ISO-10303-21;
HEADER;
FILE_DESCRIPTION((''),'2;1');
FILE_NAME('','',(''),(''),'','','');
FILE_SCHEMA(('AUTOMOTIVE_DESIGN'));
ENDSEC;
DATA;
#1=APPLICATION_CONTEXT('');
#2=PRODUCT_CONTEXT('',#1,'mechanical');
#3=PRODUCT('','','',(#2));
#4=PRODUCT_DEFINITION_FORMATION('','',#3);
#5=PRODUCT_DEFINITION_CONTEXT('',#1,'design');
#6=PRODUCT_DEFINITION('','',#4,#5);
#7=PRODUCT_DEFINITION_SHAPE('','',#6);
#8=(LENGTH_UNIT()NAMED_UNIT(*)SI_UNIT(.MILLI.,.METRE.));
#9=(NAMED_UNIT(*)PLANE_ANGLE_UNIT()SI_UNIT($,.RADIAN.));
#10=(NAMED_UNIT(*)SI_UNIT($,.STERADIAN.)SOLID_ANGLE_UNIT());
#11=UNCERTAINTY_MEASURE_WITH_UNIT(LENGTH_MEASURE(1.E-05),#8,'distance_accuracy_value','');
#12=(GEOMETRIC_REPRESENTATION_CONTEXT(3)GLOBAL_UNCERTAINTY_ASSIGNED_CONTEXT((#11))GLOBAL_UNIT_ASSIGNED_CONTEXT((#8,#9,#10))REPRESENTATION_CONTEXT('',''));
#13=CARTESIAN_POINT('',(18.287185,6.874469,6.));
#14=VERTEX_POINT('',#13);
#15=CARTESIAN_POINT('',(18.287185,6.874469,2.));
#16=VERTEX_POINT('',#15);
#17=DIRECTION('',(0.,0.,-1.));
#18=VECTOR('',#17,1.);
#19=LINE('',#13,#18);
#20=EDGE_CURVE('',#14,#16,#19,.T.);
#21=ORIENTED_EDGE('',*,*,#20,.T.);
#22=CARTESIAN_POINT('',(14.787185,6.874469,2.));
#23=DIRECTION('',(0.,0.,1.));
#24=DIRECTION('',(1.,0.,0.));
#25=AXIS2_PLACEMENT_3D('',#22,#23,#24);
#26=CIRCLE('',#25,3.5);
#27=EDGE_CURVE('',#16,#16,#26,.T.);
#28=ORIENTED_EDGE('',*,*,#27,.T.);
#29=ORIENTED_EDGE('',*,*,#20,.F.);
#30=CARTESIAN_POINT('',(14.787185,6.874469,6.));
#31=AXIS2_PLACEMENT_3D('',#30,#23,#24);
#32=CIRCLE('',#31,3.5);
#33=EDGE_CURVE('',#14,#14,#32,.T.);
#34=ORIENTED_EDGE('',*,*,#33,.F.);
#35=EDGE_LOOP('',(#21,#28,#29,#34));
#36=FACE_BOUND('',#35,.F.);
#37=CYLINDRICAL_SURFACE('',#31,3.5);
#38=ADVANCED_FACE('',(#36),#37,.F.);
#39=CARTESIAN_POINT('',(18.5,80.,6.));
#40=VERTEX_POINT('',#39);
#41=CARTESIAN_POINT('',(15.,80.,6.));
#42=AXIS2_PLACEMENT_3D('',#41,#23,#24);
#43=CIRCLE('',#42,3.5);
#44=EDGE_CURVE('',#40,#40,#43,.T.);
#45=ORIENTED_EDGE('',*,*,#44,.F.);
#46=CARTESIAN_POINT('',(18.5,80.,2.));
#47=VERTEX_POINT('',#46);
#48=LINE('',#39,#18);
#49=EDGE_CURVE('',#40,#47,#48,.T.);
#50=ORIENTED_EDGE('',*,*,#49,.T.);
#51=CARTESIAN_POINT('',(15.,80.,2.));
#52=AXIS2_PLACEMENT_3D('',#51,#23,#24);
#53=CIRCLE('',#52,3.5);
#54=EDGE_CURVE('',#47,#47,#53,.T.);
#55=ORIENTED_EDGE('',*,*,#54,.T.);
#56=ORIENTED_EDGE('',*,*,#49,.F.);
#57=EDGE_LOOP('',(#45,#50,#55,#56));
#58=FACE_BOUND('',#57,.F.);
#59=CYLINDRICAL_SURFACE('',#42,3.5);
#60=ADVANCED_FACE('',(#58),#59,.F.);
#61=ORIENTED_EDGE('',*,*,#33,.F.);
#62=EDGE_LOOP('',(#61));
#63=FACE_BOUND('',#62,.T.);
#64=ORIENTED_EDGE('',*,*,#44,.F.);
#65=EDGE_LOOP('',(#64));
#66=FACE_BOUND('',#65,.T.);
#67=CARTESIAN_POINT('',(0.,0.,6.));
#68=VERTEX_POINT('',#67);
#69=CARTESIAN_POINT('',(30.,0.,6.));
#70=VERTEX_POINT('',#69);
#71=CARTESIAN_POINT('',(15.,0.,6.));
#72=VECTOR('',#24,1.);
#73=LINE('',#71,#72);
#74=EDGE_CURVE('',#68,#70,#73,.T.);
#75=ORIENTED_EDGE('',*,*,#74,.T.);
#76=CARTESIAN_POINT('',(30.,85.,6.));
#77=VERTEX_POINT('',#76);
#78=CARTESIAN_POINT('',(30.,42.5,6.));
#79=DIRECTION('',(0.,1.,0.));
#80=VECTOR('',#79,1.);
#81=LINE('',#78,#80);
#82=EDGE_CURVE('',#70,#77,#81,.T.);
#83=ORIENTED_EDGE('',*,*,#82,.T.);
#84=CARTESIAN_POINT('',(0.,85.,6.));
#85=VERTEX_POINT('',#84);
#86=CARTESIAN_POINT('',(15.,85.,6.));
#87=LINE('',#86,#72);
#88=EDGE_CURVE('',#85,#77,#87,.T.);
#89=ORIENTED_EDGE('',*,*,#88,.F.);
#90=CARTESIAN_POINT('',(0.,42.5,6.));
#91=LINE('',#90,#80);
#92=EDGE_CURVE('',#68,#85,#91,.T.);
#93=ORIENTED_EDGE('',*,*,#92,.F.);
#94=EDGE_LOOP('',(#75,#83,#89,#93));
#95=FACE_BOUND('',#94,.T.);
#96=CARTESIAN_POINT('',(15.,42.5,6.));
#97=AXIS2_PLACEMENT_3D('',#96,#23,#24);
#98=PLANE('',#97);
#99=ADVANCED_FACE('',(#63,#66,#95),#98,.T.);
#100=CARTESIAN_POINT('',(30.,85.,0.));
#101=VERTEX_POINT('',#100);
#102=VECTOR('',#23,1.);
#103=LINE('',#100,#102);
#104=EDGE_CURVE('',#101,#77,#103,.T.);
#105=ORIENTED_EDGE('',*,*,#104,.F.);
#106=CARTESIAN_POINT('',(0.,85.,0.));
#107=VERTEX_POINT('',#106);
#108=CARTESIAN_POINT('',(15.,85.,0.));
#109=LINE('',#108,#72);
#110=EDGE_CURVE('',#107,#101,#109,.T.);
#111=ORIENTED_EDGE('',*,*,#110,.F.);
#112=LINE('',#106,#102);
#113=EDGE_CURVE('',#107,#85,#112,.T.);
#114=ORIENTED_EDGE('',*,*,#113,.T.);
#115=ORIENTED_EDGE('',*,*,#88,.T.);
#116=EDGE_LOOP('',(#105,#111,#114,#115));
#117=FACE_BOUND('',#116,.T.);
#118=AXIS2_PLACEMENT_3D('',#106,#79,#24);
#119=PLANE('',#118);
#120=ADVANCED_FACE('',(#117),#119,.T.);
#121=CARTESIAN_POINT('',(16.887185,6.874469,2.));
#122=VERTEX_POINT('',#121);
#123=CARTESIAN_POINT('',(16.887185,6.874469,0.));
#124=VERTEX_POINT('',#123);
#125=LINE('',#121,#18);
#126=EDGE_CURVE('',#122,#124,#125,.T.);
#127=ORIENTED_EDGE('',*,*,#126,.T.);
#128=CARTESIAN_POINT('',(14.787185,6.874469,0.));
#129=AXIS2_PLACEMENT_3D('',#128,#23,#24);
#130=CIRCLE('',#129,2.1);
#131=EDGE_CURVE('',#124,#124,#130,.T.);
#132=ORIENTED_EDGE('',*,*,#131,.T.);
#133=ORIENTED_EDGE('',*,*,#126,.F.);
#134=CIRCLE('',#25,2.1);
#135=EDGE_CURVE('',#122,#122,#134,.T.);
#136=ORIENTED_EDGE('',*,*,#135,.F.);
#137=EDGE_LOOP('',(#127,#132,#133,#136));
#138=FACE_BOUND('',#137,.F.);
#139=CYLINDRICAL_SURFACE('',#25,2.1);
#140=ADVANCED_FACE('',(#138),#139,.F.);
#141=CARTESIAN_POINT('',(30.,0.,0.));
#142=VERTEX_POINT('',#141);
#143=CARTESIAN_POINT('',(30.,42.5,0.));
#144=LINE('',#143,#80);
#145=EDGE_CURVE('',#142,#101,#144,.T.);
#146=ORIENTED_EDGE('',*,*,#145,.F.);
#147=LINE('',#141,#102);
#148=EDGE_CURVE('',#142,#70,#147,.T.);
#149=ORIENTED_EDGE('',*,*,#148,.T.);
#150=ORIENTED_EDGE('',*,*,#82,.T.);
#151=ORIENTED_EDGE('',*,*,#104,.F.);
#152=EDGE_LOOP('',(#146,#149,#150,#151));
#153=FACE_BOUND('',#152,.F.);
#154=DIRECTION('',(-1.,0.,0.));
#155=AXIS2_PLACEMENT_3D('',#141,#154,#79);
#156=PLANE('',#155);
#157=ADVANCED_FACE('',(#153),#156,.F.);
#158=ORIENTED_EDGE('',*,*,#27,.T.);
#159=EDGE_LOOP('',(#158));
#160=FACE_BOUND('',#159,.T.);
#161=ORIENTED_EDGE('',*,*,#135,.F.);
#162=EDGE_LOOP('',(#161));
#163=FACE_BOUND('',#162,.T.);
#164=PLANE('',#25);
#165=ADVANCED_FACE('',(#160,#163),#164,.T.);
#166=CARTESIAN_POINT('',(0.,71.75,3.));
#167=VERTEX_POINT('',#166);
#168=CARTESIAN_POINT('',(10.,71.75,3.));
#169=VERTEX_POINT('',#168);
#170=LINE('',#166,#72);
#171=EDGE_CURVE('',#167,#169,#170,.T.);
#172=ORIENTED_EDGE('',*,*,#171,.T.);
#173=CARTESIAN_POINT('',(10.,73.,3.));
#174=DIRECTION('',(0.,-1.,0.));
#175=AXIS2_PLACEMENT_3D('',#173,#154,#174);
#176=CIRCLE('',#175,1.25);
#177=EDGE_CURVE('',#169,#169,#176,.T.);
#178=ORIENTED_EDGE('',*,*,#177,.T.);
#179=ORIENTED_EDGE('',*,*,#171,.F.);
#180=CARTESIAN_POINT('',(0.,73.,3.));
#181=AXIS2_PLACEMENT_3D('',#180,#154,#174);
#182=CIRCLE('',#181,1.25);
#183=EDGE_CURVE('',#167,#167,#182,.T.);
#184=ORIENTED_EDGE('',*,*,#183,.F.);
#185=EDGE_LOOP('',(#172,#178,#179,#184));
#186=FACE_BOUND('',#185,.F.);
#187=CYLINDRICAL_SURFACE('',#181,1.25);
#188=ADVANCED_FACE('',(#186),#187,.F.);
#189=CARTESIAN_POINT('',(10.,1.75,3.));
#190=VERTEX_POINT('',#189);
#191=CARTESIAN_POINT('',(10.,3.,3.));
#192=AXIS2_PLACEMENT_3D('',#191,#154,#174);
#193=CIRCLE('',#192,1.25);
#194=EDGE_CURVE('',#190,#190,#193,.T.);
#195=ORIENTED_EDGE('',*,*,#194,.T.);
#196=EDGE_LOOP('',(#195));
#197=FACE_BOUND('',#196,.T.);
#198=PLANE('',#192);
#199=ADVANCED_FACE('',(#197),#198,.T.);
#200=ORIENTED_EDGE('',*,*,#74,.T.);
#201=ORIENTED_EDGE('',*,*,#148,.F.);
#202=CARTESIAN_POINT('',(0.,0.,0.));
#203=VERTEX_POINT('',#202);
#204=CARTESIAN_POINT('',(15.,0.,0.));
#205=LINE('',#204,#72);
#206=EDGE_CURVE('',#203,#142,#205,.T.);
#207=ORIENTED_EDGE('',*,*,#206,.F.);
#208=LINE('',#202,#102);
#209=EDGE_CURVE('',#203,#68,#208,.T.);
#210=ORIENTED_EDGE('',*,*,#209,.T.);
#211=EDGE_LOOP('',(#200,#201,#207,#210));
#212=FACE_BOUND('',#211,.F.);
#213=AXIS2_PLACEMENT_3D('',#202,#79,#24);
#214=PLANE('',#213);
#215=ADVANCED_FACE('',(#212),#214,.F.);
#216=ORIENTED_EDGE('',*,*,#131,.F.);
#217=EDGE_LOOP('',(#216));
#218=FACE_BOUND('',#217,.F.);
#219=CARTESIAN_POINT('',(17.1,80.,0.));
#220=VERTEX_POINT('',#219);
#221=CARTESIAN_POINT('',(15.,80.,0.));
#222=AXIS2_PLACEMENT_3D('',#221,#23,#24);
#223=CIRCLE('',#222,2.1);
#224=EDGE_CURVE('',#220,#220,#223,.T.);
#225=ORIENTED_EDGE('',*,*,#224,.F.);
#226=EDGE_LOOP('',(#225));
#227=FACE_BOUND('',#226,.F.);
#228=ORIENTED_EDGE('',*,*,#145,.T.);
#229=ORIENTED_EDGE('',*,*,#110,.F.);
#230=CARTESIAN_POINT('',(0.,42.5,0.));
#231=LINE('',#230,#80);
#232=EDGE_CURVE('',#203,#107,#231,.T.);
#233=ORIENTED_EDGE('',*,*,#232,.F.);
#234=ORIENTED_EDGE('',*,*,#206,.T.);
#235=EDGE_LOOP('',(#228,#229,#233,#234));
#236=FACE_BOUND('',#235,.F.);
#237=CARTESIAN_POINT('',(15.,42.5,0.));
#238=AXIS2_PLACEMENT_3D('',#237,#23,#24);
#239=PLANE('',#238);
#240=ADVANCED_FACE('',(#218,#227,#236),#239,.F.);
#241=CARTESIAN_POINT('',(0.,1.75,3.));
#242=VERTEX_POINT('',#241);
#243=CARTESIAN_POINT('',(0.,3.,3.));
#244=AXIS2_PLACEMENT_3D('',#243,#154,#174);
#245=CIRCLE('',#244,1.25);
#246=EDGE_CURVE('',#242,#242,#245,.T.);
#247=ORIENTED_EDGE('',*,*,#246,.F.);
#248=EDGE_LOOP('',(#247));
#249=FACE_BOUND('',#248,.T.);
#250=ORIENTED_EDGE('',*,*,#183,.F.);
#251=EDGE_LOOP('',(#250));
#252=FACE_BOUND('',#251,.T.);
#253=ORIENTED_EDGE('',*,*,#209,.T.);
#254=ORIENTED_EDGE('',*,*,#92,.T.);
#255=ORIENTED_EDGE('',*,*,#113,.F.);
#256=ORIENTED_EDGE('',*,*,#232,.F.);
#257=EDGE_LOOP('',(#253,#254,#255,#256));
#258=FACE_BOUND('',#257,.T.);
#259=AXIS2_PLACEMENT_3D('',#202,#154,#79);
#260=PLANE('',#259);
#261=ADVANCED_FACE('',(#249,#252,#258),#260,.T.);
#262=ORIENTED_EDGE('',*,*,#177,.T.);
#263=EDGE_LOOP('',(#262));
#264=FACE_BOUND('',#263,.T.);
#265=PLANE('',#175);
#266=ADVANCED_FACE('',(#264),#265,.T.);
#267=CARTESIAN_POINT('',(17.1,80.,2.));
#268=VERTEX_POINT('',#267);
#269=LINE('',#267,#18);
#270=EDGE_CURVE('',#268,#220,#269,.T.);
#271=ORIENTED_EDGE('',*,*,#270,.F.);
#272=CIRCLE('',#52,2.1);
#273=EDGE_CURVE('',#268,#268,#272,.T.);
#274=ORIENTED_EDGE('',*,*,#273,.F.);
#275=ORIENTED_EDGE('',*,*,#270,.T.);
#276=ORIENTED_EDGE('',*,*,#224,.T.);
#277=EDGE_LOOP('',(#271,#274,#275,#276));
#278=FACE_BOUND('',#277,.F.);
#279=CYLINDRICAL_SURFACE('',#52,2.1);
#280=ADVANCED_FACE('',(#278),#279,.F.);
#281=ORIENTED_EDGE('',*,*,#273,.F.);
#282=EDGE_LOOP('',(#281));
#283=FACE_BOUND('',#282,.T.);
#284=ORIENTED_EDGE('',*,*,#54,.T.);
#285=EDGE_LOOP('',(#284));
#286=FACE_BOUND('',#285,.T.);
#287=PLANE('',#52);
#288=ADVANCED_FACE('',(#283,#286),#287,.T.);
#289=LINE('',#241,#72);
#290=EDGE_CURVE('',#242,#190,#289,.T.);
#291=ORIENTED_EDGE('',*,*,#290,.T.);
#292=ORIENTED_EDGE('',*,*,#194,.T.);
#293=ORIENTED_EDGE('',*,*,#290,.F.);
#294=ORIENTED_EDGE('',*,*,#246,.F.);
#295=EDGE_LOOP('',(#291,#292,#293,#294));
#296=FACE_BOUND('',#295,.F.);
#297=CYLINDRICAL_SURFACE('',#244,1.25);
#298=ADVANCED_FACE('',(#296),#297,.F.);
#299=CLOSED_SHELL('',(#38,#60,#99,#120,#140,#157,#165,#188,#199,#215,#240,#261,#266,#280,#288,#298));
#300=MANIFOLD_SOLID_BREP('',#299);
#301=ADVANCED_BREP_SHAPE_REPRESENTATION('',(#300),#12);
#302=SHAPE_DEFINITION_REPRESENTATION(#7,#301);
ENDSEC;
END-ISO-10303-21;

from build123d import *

# Parameters (mm, degrees)
F0_W      = 30
F0_H      = 85
F1_DEPTH  = 6
F2_R      = 3.5
F3_DEPTH  = 4
F4_R      = 2.1
F5_DEPTH  = 25
F6_R      = 3.5
F7_DEPTH  = 4
F8_R      = 2.1
F9_DEPTH  = 25
F11_R     = 1.25
F12_DEPTH = 10
F10_R     = 1.25
F13_DEPTH = 10


with BuildPart() as f1:
    # F0 (on Top) → F1 (new body)
    with BuildSketch(Plane.XY):
        with Locations((15, 42.5)):
            Rectangle(F0_W, F0_H)
    extrude(amount=F1_DEPTH)

    # F2 (on face) → F3 (cut)
    with BuildSketch(Plane.XY.offset(6)):
        with Locations((15, 80)):
            Circle(F2_R)
    extrude(amount=-F3_DEPTH, mode=Mode.SUBTRACT)

    # F4 (on face) → F5 (cut)
    with BuildSketch(Plane.XY.offset(2)):
        with Locations((15, 80)):
            Circle(F4_R)
    extrude(amount=-F5_DEPTH, mode=Mode.SUBTRACT)

    # F6 (on face) → F7 (cut)
    with BuildSketch(Plane.XY.offset(6)):
        with Locations((14.787185, 6.874469)):
            Circle(F6_R)
    extrude(amount=-F7_DEPTH, mode=Mode.SUBTRACT)

    # F8 (on face) → F9 (cut)
    with BuildSketch(Plane.XY.offset(2)):
        with Locations((14.787185, 6.874469)):
            Circle(F8_R)
    extrude(amount=-F9_DEPTH, mode=Mode.SUBTRACT)

    # F11 (on face) → F12 (cut)
    with BuildSketch(Plane(origin=(0, 0, 0), x_dir=(0, -1, 0), z_dir=(-1, 0, 0))):
        with Locations((-73, 3)):
            Circle(F11_R)
    extrude(amount=-F12_DEPTH, mode=Mode.SUBTRACT)

    # F10 (on face) → F13 (cut)
    with BuildSketch(Plane(origin=(0, 0, 0), x_dir=(0, -1, 0), z_dir=(-1, 0, 0))):
        with Locations((-3, 3)):
            Circle(F10_R)
    extrude(amount=-F13_DEPTH, mode=Mode.SUBTRACT)


solid = f1.part
